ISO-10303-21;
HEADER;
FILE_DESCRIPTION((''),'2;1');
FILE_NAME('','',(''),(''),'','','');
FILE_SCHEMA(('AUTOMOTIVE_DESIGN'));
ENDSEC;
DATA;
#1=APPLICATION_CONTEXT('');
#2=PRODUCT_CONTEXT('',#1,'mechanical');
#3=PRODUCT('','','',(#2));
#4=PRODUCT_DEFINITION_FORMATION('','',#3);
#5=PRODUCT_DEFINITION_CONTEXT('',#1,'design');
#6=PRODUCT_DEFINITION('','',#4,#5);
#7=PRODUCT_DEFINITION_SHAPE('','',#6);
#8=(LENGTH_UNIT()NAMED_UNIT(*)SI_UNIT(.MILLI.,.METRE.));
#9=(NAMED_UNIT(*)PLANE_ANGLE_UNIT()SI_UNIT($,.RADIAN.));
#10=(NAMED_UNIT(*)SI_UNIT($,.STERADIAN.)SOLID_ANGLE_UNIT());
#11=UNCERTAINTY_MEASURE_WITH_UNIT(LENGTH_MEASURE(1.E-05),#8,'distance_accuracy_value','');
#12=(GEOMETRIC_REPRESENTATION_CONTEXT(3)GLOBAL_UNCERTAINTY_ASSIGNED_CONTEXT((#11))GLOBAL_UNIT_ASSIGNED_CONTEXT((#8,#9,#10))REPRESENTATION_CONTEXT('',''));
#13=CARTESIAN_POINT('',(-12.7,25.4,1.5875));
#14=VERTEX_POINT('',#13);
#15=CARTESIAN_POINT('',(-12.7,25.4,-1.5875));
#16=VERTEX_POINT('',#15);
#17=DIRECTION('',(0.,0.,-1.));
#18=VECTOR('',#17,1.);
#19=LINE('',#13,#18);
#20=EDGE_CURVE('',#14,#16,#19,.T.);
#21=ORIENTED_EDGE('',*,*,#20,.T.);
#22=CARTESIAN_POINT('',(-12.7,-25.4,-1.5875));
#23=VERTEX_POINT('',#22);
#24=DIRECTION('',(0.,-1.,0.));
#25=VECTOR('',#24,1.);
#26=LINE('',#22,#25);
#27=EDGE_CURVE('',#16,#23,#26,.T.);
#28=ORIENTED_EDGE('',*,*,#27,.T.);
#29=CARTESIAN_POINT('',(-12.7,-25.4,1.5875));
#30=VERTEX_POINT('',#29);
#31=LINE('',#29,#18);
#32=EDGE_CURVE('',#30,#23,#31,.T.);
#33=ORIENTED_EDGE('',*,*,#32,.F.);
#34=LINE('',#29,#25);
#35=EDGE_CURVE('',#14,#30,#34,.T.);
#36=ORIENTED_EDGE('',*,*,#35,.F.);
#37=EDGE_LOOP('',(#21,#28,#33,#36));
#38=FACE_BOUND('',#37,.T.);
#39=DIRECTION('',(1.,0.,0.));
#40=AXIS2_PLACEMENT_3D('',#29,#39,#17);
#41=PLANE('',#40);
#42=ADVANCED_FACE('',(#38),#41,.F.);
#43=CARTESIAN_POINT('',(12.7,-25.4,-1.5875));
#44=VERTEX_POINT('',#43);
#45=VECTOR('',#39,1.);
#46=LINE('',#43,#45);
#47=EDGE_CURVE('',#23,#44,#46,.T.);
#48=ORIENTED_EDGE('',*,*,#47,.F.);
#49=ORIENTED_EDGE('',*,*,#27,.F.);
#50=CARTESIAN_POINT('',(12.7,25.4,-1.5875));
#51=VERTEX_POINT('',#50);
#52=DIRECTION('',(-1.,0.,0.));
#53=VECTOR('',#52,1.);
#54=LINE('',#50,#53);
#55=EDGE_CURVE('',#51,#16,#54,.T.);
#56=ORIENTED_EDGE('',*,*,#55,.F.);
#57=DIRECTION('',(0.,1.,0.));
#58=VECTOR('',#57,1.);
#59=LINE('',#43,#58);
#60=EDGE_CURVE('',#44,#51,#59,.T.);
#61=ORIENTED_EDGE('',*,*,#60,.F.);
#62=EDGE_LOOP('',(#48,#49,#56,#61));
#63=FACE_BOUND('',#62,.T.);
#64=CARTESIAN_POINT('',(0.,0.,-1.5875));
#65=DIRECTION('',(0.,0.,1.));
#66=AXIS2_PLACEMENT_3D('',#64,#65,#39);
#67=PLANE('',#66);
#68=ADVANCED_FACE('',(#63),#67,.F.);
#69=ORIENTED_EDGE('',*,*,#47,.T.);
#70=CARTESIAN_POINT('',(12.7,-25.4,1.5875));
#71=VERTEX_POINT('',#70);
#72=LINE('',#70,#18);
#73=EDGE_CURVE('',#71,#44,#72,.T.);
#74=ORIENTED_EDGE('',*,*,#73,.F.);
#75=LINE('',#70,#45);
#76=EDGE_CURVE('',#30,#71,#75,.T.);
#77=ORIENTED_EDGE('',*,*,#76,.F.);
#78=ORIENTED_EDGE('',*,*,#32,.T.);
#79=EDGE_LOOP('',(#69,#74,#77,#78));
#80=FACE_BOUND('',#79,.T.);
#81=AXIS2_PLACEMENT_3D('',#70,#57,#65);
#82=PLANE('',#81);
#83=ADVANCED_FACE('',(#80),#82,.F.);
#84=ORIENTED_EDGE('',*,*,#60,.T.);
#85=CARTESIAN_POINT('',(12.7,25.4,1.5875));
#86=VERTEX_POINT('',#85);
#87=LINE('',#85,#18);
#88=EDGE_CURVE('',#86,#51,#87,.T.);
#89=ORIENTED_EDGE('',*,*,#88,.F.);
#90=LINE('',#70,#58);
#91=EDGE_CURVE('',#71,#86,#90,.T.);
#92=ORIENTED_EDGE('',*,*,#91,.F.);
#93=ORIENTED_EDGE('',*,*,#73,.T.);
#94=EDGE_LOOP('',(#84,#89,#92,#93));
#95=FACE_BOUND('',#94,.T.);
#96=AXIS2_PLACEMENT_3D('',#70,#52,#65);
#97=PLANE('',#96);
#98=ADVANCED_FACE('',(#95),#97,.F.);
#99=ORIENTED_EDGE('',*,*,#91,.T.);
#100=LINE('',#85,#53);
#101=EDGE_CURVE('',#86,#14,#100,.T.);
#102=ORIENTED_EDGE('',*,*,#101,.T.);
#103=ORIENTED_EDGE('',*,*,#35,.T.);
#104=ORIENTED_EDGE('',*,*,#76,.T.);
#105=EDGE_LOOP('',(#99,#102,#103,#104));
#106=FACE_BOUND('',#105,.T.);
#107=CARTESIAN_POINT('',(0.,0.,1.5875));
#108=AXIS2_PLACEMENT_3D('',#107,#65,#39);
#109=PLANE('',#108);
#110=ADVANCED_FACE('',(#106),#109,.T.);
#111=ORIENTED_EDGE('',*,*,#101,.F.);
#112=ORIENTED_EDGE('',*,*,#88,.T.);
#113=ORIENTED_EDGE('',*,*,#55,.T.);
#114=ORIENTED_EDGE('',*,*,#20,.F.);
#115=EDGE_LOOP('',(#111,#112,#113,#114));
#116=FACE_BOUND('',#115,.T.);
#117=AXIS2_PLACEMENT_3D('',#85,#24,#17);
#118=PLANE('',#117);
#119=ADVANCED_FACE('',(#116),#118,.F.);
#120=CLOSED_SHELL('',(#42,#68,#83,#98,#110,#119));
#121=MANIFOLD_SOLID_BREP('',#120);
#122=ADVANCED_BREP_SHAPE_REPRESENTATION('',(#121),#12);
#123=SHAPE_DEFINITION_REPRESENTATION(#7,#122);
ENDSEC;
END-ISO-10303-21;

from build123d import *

# Parameters (mm, degrees)
SKETCH1_W           = 25.4
SKETCH1_H           = 50.8
BOSS_EXTRUDE1_DEPTH = 1.5875


with BuildPart() as part:
    # Sketch1 → Boss-Extrude1 (new body, symmetric)
    with BuildSketch(Plane.XY):
        Rectangle(SKETCH1_W, SKETCH1_H)
    extrude(amount=BOSS_EXTRUDE1_DEPTH, both=True)


solid = part.part
